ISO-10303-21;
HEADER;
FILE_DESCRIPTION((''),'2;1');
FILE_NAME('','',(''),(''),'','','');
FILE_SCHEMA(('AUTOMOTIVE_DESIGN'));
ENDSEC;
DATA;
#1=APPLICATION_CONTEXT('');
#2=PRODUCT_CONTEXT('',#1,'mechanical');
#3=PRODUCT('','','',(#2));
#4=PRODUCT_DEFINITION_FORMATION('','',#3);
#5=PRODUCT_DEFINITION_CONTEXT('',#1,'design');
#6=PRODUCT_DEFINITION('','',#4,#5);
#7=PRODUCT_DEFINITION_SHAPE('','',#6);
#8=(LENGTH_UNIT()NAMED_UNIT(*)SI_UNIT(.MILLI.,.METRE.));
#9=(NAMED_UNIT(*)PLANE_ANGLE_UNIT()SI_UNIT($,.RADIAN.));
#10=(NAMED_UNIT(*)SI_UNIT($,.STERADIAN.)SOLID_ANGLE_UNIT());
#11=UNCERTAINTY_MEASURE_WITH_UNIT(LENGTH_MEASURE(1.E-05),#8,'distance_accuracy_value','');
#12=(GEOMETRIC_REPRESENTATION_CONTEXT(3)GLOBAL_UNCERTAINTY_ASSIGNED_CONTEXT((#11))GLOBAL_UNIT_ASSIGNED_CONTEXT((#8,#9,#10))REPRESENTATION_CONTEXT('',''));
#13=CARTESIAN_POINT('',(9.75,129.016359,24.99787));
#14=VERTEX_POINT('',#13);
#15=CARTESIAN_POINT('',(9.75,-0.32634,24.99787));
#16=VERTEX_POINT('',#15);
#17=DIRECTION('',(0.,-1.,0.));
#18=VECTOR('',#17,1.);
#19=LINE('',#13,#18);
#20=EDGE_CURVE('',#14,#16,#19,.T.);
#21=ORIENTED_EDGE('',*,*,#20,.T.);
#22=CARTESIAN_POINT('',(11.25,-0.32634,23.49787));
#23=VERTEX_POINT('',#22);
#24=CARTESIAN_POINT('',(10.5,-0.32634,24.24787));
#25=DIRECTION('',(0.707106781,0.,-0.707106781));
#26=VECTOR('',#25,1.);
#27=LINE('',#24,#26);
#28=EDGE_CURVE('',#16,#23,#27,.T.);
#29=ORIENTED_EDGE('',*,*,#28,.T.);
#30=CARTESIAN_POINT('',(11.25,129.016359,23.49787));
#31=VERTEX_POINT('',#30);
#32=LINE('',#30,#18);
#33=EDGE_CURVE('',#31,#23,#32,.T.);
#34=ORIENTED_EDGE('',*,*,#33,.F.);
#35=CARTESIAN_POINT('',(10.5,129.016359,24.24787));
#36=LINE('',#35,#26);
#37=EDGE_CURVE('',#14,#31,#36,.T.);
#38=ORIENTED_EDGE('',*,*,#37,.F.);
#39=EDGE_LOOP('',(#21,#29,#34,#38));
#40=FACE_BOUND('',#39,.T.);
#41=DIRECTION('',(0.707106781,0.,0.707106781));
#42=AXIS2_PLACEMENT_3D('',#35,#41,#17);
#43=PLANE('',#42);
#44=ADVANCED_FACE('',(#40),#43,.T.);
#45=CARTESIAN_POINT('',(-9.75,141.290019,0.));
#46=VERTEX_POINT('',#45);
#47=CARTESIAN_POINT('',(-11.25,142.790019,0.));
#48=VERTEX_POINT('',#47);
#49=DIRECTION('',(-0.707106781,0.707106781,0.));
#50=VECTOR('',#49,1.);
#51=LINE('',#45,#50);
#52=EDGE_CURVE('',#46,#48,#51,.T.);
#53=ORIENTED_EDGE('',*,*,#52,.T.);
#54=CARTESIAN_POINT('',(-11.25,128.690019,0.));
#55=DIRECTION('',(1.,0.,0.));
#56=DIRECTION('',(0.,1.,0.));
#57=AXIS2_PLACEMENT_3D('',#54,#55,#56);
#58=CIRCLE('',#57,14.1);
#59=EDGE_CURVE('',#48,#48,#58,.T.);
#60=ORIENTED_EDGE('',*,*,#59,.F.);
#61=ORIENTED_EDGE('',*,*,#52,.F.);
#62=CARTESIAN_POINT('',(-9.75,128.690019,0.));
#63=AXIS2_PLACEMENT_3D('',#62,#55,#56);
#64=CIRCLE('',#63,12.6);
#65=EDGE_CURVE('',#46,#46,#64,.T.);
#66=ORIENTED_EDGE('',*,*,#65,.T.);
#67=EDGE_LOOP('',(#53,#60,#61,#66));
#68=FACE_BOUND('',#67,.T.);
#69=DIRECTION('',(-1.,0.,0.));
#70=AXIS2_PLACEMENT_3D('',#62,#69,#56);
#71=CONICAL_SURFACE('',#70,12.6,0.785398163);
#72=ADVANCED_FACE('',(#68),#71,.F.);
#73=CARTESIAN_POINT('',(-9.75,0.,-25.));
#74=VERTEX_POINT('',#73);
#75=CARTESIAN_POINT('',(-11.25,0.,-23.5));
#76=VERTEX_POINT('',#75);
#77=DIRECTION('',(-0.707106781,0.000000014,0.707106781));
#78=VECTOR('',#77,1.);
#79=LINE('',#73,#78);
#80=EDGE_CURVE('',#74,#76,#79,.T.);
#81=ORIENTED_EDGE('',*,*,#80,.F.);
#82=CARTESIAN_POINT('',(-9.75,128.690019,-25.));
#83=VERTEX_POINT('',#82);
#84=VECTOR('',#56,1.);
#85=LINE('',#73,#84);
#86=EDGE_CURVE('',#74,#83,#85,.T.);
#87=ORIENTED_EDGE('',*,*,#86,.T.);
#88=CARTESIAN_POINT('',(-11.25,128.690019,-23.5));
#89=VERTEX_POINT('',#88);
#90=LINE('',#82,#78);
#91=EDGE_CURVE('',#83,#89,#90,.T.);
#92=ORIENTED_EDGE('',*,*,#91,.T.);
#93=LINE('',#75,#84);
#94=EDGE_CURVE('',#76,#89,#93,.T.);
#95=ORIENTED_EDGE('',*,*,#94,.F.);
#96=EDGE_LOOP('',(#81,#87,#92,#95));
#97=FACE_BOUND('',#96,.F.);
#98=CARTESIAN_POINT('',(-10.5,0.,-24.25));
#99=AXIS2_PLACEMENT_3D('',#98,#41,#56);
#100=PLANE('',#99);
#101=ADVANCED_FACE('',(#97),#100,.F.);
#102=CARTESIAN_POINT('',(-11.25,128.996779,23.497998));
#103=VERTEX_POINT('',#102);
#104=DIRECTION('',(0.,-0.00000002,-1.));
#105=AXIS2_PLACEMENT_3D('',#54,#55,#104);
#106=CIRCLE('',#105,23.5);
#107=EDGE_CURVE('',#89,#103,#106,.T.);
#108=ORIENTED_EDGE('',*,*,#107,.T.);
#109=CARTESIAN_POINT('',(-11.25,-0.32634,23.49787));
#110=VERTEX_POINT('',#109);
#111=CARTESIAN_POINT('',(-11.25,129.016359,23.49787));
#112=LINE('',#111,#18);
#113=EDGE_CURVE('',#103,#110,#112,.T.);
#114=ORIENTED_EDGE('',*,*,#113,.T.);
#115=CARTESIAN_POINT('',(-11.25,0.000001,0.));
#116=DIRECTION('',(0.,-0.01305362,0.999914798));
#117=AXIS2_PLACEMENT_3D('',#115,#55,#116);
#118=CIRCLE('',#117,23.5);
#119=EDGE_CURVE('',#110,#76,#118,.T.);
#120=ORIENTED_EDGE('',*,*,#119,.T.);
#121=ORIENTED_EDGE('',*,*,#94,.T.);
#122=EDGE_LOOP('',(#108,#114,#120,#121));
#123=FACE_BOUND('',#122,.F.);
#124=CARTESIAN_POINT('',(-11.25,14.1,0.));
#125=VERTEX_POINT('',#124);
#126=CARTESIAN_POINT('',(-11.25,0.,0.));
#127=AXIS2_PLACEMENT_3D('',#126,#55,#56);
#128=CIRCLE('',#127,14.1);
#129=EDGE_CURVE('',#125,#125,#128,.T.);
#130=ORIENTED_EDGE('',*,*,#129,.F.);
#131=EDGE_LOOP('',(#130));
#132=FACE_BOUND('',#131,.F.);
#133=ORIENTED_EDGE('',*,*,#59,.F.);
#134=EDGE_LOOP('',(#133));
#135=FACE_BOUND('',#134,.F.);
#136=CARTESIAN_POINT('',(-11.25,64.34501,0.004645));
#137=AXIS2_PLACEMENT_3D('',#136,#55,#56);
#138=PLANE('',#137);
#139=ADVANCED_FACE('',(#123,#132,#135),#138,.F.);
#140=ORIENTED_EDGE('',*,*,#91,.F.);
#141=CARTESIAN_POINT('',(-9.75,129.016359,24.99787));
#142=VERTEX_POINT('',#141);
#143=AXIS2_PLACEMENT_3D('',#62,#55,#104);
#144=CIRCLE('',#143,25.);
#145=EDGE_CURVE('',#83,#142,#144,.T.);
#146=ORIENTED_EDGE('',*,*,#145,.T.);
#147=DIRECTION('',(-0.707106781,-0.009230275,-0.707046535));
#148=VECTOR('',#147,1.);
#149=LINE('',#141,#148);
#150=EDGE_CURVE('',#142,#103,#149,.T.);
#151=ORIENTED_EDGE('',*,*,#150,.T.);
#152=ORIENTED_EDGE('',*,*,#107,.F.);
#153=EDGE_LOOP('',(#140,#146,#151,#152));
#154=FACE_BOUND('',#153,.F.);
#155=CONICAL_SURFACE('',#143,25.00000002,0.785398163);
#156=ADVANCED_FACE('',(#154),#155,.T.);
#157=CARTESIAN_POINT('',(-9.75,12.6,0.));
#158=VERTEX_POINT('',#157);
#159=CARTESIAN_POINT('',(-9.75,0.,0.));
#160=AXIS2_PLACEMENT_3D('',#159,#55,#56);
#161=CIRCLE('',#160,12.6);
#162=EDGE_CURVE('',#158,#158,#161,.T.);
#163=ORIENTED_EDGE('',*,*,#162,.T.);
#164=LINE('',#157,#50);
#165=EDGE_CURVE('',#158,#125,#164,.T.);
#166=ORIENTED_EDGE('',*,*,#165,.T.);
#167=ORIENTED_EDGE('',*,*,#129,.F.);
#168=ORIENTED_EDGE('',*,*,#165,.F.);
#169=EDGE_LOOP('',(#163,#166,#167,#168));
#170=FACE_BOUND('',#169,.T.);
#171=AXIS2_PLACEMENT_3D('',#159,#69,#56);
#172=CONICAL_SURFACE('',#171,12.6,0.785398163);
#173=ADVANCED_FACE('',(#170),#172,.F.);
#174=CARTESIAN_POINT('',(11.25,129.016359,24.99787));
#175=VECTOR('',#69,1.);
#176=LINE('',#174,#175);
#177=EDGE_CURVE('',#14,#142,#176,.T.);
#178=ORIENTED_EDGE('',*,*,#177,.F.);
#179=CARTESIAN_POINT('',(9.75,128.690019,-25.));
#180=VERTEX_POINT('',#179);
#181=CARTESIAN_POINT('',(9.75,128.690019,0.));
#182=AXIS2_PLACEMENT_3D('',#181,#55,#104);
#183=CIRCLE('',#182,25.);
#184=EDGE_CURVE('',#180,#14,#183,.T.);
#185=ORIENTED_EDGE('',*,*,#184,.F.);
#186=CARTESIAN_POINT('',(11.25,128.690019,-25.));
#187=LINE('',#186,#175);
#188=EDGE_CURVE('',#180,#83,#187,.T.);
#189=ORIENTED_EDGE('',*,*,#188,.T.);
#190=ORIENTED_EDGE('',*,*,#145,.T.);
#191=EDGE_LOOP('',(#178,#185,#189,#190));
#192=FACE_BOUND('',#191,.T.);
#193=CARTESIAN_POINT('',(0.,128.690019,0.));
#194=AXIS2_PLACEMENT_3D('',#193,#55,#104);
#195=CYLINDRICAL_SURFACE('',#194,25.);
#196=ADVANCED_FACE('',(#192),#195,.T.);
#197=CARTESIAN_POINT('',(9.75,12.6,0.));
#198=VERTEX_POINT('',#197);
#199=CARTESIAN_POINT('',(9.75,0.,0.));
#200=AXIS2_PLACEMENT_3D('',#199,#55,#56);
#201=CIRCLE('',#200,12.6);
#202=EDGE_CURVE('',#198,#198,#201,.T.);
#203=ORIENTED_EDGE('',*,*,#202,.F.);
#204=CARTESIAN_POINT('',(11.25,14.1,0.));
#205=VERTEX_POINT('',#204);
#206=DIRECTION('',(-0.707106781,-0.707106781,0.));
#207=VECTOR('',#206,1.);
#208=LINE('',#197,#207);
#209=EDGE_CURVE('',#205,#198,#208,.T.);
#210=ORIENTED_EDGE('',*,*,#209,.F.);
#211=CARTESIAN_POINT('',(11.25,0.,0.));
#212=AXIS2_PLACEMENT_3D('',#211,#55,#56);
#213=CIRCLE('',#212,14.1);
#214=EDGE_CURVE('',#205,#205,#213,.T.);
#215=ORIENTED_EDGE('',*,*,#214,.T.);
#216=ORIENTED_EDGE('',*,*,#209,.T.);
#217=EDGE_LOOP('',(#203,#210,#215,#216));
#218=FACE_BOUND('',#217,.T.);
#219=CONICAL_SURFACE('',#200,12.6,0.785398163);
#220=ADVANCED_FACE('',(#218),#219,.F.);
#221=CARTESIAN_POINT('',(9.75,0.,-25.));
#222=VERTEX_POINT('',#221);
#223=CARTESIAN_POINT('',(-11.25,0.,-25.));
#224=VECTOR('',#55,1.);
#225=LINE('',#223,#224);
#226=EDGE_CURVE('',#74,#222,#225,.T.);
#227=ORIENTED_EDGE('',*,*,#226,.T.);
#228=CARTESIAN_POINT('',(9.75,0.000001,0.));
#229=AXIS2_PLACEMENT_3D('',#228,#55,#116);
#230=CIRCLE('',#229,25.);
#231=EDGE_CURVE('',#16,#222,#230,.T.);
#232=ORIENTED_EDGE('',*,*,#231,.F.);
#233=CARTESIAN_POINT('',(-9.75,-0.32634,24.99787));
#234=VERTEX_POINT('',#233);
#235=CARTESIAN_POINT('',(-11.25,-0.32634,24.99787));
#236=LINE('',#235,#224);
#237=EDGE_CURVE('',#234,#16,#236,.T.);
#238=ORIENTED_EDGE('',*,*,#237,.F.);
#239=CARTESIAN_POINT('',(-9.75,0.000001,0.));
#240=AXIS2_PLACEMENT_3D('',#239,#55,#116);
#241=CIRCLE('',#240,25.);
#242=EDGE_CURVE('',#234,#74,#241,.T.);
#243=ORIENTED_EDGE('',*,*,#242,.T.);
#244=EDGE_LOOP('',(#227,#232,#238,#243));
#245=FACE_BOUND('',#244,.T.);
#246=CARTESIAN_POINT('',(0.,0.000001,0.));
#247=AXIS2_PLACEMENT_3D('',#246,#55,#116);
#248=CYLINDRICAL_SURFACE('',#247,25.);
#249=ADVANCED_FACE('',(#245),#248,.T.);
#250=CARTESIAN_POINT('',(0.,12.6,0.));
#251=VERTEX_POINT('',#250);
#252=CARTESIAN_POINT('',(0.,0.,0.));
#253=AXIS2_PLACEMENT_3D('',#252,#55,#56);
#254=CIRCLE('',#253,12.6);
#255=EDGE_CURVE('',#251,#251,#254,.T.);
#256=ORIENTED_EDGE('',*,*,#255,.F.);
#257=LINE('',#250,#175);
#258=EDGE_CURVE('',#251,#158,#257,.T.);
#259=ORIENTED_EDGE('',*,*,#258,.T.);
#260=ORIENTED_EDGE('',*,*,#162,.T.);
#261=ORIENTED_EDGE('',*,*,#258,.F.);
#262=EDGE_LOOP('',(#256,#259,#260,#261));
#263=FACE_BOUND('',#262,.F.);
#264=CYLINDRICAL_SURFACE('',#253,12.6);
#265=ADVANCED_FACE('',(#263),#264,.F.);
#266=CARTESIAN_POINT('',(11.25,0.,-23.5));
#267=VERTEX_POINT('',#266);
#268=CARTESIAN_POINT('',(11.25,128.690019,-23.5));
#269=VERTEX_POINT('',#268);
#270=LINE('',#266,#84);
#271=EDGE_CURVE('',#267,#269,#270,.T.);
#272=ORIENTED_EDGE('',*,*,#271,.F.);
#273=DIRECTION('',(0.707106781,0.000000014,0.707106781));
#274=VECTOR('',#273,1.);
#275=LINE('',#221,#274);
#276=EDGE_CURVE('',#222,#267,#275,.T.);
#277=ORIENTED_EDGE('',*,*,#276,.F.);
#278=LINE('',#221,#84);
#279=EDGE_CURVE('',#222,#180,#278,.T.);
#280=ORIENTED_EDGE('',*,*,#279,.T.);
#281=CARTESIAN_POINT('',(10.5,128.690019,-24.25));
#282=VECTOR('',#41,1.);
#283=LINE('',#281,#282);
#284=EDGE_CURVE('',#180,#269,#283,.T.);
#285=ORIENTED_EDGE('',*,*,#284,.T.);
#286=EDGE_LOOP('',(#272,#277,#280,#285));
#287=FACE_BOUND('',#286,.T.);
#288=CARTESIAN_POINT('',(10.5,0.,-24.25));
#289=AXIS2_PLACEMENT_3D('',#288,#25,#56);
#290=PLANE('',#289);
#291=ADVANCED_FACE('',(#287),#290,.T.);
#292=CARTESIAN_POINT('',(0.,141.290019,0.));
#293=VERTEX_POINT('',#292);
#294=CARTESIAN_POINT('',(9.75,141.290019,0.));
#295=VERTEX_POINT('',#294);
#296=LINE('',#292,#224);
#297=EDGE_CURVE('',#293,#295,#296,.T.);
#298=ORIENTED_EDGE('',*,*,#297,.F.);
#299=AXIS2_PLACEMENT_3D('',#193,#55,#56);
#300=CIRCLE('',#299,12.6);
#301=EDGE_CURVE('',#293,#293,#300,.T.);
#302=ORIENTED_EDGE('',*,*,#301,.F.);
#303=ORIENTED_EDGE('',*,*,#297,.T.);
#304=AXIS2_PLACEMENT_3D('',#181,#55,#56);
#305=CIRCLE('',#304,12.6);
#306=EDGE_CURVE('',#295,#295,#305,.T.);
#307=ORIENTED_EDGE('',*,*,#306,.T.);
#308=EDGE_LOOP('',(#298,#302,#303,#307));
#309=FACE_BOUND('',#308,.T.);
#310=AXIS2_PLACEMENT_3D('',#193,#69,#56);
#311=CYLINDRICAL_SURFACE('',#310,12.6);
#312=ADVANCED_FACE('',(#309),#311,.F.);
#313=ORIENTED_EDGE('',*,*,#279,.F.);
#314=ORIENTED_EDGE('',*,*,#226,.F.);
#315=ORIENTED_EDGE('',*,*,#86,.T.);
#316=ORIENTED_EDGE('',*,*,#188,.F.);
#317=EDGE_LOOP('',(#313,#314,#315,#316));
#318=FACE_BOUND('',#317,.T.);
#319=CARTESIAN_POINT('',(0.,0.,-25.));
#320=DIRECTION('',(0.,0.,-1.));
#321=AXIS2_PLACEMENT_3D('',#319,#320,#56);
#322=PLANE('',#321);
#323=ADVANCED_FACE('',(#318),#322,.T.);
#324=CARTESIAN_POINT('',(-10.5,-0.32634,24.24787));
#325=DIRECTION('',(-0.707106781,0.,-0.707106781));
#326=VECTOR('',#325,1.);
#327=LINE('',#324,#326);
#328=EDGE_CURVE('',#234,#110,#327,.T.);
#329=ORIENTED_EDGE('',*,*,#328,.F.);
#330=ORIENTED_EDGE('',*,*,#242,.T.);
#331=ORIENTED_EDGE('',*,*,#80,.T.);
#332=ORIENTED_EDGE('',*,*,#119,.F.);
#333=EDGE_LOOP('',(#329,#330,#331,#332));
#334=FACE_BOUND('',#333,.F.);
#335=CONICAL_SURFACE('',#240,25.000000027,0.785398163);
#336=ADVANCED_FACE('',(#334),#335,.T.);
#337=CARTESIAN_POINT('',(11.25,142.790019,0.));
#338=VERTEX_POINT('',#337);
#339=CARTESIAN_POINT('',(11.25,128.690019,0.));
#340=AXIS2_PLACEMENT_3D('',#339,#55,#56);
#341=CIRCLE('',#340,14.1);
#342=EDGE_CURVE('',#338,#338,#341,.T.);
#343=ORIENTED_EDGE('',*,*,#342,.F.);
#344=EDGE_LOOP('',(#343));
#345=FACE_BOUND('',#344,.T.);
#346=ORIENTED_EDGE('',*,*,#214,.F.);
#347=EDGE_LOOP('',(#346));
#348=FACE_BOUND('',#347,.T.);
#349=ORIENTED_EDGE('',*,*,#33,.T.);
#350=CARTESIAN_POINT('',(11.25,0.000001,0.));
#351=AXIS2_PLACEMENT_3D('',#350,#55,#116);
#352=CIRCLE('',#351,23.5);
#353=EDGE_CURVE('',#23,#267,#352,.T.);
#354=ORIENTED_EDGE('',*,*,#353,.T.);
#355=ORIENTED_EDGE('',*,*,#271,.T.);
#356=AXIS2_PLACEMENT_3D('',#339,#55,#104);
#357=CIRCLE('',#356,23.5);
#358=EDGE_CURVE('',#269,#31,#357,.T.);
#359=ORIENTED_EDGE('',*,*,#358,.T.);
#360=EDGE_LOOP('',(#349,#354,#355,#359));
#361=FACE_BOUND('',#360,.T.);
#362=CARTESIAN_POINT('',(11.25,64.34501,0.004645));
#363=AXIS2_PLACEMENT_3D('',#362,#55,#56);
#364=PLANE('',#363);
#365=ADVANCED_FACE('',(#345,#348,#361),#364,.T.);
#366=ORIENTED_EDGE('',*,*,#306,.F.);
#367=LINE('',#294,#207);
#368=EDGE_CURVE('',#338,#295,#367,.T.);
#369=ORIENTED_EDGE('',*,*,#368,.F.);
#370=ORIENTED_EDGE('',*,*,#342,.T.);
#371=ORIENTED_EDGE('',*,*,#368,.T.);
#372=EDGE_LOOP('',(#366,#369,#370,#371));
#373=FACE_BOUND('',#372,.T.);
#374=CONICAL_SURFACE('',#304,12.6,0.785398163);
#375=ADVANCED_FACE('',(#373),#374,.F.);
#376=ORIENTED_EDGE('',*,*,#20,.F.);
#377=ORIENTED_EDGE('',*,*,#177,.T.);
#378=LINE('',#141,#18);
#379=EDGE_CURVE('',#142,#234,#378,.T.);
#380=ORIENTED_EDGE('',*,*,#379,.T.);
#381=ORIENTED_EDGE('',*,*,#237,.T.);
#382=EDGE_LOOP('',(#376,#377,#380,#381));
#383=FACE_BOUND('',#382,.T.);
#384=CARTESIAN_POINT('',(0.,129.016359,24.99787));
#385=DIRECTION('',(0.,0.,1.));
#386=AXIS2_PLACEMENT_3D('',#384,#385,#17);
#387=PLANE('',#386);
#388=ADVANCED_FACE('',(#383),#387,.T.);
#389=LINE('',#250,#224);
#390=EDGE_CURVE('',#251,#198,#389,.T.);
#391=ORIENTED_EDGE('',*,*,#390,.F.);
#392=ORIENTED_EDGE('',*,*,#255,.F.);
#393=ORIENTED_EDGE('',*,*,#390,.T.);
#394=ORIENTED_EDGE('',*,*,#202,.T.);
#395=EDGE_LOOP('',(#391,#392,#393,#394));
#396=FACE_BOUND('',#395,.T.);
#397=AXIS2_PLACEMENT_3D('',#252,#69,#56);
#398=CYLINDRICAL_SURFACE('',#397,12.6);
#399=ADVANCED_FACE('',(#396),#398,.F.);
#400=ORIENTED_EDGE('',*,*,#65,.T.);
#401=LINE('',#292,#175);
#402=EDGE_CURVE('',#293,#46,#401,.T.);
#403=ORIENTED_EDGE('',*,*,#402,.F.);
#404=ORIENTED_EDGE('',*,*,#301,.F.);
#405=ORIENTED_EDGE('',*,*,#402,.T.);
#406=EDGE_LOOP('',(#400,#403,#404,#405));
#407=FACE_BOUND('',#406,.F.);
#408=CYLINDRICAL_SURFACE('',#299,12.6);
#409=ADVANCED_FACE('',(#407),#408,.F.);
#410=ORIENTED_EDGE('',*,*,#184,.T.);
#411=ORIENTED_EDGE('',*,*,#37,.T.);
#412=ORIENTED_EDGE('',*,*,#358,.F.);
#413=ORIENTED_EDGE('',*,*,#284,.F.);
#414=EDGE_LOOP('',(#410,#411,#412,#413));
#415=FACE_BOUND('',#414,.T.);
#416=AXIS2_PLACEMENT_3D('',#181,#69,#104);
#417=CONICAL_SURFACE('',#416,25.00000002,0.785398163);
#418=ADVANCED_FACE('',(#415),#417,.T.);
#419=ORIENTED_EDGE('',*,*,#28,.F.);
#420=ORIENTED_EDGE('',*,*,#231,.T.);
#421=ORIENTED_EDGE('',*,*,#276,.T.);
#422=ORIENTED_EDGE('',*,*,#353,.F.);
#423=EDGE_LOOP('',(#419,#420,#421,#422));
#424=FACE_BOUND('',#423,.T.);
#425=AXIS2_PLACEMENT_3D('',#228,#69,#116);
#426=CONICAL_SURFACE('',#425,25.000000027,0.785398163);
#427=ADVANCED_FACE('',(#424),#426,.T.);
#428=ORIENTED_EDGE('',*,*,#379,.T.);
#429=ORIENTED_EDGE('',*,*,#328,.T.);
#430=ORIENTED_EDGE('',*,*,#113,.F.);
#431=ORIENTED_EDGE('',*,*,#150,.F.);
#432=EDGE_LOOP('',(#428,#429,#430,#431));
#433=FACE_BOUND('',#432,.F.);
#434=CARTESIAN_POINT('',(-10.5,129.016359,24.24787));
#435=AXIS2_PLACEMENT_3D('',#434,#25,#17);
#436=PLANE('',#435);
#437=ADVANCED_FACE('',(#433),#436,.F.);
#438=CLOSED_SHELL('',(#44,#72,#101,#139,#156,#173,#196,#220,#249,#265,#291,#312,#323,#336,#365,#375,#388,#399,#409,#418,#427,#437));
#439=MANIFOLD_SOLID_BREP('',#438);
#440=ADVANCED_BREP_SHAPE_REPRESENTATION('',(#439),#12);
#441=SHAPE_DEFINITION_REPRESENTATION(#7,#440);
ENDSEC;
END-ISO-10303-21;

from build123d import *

# Parameters (mm, degrees)
F1_R          = 12.6
F2_DEPTH      = 11.25
F2_DEPTH_BACK = 11.25
F3_SIZE       = 1.5


with BuildPart() as f2:
    # F1 (on face) → F2 (new body, two sides)
    with BuildSketch(Plane.YZ) as f2_sk:
        with BuildLine():
            Line((129.016359, 24.99787), (128.36368, 24.99787))
            Line((128.36368, 24.99787), (0.32634, 24.99787))
            Line((0.32634, 24.99787), (-0.32634, 24.99787))
            ThreePointArc((-0.32634, 24.99787), (-24.999467, -0.163173), (0, -25))
            Line((0, -25), (128.690019, -25))
            ThreePointArc((128.690019, -25), (153.689487, -0.163173), (129.016359, 24.99787))
        make_face()
        Circle(F1_R, mode=Mode.SUBTRACT)
        with Locations((128.690019, 0)):
            Circle(F1_R, mode=Mode.SUBTRACT)
    extrude(amount=F2_DEPTH)
    extrude(f2_sk.sketch, amount=-F2_DEPTH_BACK)

    # F3
    f3_edges = [f2.edges().sort_by_distance(p)[0] for p in [
        (-11.25, 116.090019, 0),
        (-11.25, 153.689487, -0.163173),
        (-11.25, 64.34501, -25),
        (-11.25, 64.34501, 24.99787),
        (-11.25, -12.6, 0),
        (11.25, 64.34501, 24.99787),
        (11.25, -24.999467, -0.163173),
        (11.25, -12.6, 0),
        (0, 12.6, 0),
        (11.25, 116.090019, 0),
    ]]
    chamfer(f3_edges, length=F3_SIZE)


solid = f2.part
